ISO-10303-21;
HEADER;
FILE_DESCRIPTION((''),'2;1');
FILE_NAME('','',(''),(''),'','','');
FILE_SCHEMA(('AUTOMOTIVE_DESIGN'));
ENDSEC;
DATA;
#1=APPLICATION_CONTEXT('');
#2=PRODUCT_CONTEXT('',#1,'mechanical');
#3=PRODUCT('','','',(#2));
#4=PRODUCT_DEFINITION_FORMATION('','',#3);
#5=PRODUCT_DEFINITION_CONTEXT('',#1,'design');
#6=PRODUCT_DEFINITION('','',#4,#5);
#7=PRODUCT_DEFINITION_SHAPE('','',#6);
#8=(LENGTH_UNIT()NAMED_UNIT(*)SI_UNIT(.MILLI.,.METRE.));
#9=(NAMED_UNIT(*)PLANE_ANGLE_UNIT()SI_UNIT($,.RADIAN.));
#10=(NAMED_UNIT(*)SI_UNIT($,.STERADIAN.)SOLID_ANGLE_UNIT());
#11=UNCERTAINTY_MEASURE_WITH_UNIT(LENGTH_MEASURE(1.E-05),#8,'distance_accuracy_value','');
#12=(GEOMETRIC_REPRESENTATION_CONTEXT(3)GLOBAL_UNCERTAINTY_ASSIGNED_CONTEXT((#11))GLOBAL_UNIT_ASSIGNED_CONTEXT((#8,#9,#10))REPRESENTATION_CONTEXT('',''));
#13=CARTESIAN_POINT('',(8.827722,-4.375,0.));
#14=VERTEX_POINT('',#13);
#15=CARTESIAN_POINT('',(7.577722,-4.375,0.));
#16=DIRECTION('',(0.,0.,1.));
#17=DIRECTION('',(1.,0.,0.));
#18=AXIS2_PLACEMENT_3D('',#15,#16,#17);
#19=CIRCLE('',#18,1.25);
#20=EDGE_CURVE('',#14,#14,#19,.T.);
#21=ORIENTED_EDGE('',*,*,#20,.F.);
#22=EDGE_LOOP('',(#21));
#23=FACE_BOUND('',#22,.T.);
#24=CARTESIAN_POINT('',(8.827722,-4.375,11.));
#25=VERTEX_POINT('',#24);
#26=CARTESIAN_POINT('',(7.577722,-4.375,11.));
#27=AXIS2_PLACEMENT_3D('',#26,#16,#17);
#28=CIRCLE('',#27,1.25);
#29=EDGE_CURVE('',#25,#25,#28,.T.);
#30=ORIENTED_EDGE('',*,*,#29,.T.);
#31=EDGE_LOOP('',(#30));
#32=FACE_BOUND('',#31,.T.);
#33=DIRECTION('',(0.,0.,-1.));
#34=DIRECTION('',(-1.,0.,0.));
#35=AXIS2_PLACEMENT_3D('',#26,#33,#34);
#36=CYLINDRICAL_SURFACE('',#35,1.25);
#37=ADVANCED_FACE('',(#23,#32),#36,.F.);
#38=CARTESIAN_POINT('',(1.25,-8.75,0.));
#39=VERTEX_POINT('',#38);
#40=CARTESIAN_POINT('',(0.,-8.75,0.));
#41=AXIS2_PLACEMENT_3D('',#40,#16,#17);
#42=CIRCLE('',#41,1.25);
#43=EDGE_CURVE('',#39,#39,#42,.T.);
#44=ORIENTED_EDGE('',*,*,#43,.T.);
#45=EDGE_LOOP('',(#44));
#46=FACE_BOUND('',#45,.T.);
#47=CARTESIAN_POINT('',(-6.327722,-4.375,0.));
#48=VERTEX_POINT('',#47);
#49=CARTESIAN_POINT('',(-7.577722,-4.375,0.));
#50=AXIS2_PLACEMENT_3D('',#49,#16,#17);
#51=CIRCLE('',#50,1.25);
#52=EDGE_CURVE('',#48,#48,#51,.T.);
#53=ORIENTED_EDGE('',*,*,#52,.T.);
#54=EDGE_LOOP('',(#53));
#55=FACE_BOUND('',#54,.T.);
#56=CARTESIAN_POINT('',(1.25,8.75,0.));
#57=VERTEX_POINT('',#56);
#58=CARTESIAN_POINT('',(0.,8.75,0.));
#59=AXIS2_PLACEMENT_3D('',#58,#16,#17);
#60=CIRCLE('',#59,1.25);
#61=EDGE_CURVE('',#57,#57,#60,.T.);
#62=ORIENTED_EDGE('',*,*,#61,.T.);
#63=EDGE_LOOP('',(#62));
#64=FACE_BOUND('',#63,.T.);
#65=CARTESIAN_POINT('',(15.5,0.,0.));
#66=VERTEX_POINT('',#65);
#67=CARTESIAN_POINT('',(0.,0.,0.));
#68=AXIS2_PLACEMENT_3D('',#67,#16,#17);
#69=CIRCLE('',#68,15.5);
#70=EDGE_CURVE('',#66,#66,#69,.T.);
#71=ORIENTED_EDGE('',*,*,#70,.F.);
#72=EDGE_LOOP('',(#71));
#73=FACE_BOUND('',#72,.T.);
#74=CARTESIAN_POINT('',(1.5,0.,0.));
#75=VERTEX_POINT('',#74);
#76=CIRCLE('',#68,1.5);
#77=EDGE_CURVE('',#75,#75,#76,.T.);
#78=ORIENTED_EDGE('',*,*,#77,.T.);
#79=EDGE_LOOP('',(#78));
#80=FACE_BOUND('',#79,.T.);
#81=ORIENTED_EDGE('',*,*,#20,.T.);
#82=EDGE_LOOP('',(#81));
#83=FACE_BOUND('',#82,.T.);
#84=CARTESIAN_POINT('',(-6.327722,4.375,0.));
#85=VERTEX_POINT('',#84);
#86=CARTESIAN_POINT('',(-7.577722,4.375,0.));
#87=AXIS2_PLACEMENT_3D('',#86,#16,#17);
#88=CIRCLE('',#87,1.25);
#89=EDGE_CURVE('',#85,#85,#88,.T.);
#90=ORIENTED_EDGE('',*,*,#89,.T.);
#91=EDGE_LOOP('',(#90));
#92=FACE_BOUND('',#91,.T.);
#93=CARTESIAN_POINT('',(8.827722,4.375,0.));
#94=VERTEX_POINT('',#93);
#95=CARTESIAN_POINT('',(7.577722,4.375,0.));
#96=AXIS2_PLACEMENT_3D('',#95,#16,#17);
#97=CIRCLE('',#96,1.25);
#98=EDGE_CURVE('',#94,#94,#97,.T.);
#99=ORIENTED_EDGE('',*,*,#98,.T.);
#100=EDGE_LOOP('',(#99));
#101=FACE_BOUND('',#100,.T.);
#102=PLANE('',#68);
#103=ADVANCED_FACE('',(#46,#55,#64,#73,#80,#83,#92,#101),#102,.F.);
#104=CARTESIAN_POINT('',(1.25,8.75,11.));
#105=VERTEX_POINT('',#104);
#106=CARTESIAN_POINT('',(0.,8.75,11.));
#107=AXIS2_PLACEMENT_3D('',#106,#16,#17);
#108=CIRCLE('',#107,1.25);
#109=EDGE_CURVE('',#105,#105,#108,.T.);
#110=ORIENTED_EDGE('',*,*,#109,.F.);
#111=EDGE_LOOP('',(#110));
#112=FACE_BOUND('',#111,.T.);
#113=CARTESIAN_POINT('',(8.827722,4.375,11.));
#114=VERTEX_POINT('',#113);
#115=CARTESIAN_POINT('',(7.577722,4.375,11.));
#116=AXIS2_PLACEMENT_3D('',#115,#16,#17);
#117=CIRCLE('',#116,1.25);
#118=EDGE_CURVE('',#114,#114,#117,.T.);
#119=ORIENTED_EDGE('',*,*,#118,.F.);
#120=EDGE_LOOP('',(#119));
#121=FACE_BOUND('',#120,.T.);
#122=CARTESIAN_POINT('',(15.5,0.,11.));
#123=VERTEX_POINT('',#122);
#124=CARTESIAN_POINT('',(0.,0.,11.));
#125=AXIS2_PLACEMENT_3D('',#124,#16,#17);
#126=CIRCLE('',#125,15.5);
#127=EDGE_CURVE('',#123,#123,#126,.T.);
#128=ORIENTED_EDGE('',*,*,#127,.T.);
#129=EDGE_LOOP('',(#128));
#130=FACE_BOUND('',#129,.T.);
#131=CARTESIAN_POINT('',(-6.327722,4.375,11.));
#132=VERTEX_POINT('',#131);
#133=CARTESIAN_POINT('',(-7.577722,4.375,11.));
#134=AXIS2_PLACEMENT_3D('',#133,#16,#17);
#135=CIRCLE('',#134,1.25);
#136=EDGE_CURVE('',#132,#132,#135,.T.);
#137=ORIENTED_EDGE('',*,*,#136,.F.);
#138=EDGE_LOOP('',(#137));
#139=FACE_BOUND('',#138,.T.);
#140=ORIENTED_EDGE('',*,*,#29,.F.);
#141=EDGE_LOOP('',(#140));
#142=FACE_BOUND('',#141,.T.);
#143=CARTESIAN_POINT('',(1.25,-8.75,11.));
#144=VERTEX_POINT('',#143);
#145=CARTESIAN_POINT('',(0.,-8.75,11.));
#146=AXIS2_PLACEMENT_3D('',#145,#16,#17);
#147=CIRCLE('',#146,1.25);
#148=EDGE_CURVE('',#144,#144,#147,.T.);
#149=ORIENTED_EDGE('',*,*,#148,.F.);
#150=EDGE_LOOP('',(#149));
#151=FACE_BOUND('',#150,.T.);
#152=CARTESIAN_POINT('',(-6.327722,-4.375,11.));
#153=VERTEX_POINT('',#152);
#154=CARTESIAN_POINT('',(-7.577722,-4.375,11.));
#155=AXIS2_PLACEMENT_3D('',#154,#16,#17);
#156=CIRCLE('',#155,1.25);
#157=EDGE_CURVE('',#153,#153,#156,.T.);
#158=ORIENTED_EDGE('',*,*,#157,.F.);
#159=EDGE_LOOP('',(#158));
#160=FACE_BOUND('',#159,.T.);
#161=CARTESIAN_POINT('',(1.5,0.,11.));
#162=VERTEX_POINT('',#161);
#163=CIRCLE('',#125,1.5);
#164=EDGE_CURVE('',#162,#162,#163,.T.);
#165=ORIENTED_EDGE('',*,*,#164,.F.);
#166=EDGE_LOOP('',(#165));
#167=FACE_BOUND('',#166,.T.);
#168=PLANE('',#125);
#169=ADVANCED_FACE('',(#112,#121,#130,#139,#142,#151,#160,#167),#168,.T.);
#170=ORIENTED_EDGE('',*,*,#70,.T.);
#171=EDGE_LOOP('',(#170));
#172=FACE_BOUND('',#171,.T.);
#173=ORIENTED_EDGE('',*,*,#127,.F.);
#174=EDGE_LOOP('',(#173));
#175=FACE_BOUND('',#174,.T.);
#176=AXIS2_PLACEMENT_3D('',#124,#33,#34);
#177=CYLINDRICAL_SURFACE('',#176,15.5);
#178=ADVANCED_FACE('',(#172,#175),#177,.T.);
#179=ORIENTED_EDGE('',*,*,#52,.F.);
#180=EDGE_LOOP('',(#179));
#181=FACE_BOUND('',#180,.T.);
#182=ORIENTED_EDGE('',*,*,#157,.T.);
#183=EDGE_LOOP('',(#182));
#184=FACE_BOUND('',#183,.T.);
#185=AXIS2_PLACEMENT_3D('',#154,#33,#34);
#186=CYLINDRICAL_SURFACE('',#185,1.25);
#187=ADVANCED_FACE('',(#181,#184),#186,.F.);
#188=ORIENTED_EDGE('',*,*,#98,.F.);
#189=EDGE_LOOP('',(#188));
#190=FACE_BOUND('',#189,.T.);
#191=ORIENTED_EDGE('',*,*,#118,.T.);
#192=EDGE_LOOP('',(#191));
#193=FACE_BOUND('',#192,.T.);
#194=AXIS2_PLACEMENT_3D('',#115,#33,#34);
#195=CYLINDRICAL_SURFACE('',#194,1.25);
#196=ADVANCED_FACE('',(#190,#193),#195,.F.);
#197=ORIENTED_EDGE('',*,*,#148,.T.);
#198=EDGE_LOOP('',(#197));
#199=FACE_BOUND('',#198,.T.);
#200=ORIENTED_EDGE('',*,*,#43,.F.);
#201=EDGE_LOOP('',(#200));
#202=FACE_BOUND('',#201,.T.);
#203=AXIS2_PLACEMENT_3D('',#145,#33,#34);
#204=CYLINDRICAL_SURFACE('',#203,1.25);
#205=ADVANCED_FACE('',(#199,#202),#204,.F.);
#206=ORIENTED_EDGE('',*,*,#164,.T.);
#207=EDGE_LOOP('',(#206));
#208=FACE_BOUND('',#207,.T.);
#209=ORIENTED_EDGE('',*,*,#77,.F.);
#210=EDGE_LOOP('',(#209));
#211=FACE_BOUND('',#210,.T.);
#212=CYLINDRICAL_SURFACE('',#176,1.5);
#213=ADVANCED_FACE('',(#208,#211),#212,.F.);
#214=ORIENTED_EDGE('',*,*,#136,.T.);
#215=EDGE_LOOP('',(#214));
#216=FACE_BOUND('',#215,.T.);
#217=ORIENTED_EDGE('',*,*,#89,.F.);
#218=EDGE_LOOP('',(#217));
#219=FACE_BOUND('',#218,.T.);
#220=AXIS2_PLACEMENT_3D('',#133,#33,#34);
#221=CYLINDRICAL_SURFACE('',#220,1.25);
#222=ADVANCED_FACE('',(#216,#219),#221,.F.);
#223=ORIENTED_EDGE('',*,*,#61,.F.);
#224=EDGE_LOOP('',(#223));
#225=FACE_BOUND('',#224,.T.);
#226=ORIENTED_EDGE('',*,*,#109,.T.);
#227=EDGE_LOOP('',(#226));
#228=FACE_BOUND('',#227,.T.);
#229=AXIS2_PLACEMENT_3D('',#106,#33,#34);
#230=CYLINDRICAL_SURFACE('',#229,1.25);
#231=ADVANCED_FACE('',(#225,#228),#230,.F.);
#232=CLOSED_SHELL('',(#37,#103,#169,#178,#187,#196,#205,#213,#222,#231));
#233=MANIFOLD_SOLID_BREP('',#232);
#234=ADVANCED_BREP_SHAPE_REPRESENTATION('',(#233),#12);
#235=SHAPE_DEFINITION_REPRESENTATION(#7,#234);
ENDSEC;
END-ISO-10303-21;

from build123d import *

# Parameters (mm, degrees)
ESQUISSE1_R        = 15.5
ESQUISSE1_R_2      = 1.5
ESQUISSE1_R_3      = 1.25
BOSS_EXTRU_1_DEPTH = 11


with BuildPart() as part:
    # Esquisse1 → Boss.-Extru.1 (new body)
    with BuildSketch(Plane.XY):
        Circle(ESQUISSE1_R)
        Circle(ESQUISSE1_R_2, mode=Mode.SUBTRACT)
        with Locations((0, 8.75)):
            Circle(ESQUISSE1_R_3, mode=Mode.SUBTRACT)
        with Locations((7.577722283, 4.375)):
            Circle(ESQUISSE1_R_3, mode=Mode.SUBTRACT)
        with Locations((7.577722283, -4.375)):
            Circle(ESQUISSE1_R_3, mode=Mode.SUBTRACT)
        with Locations((0, -8.75)):
            Circle(ESQUISSE1_R_3, mode=Mode.SUBTRACT)
        with Locations((-7.577722283, -4.375)):
            Circle(ESQUISSE1_R_3, mode=Mode.SUBTRACT)
        with Locations((-7.577722283, 4.375)):
            Circle(ESQUISSE1_R_3, mode=Mode.SUBTRACT)
    extrude(amount=BOSS_EXTRU_1_DEPTH)


solid = part.part
